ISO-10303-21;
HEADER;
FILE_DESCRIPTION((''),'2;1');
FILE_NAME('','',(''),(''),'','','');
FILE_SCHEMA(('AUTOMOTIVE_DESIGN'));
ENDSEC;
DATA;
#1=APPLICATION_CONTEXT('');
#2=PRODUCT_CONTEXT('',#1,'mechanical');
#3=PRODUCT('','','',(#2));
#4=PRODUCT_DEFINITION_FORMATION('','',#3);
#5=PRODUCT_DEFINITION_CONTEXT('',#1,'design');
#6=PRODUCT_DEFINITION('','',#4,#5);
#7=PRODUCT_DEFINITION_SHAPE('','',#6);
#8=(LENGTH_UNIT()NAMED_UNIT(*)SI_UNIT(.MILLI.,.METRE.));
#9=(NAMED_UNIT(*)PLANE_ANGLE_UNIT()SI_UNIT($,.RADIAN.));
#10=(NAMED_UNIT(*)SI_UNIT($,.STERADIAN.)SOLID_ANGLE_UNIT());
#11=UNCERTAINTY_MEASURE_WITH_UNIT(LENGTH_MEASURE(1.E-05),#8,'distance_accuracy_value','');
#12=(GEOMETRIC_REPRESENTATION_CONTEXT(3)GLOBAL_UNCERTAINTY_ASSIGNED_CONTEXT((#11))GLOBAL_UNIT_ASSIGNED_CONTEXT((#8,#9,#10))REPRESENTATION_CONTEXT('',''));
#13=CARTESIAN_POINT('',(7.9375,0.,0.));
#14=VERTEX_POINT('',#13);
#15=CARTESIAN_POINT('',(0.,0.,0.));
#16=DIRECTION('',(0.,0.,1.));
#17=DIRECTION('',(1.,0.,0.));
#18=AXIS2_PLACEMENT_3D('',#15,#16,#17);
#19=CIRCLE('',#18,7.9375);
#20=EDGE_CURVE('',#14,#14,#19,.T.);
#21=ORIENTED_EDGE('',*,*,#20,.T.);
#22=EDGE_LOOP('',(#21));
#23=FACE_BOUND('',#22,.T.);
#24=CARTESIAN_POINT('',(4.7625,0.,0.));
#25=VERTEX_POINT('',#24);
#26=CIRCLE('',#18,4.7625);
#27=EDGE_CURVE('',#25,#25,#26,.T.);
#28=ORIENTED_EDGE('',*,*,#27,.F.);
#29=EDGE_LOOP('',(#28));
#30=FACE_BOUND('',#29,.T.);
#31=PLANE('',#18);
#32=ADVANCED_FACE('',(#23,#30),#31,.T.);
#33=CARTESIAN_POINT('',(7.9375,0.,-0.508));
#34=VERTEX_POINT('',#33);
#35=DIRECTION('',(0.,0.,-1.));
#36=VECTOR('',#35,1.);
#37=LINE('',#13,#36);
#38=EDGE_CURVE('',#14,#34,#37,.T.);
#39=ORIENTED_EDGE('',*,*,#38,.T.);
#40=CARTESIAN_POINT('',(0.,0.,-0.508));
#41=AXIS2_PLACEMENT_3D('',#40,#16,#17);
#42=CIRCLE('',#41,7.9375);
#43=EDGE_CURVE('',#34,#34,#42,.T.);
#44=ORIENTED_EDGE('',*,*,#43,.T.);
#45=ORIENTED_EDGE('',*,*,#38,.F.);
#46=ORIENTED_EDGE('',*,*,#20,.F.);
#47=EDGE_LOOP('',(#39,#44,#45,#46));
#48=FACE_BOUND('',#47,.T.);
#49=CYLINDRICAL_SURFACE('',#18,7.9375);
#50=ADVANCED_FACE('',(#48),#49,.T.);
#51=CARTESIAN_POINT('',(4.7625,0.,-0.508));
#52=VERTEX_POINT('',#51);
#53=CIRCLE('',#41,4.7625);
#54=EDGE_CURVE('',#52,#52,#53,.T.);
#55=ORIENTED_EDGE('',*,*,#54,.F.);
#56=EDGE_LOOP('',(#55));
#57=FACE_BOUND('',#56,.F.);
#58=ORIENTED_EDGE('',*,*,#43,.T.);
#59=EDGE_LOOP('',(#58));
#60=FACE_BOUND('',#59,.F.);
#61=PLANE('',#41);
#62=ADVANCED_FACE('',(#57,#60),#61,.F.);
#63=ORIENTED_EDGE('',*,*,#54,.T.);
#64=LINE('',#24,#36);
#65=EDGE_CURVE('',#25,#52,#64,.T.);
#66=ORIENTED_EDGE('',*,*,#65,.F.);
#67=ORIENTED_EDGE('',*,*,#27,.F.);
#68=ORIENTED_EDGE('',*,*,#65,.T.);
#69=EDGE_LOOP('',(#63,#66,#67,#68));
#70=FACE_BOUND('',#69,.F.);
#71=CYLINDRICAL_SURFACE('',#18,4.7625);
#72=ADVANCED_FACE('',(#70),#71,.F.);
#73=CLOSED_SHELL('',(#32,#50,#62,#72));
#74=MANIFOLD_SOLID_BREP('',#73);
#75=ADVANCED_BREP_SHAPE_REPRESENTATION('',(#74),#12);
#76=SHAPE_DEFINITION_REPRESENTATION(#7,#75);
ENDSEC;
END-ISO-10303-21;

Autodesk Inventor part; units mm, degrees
ref_plane "YZ Plane" through (0, 0, 0) normal (1, 0, 0) x (0, 1, 0)
ref_plane "XZ Plane" through (0, 0, 0) normal (0, 1, 0) x (-1, 0, 0)
ref_plane "XY Plane" through (0, 0, 0) normal (0, 0, 1) x (1, 0, 0)
sketch "Sketch1" plane through (0, 0, 0) normal (0, 0, 1) x (1, 0, 0)
  circle A0 centre (0, 0) radius 4.7625
  circle A1 centre (0, 0) radius 7.9375
  dimension "d0" = 9.525
  dimension "d1" = 3.175
extrude "Extrusion1" add sketch "Sketch1" against normal blind 0.508
properties part number ".02in Washer"
